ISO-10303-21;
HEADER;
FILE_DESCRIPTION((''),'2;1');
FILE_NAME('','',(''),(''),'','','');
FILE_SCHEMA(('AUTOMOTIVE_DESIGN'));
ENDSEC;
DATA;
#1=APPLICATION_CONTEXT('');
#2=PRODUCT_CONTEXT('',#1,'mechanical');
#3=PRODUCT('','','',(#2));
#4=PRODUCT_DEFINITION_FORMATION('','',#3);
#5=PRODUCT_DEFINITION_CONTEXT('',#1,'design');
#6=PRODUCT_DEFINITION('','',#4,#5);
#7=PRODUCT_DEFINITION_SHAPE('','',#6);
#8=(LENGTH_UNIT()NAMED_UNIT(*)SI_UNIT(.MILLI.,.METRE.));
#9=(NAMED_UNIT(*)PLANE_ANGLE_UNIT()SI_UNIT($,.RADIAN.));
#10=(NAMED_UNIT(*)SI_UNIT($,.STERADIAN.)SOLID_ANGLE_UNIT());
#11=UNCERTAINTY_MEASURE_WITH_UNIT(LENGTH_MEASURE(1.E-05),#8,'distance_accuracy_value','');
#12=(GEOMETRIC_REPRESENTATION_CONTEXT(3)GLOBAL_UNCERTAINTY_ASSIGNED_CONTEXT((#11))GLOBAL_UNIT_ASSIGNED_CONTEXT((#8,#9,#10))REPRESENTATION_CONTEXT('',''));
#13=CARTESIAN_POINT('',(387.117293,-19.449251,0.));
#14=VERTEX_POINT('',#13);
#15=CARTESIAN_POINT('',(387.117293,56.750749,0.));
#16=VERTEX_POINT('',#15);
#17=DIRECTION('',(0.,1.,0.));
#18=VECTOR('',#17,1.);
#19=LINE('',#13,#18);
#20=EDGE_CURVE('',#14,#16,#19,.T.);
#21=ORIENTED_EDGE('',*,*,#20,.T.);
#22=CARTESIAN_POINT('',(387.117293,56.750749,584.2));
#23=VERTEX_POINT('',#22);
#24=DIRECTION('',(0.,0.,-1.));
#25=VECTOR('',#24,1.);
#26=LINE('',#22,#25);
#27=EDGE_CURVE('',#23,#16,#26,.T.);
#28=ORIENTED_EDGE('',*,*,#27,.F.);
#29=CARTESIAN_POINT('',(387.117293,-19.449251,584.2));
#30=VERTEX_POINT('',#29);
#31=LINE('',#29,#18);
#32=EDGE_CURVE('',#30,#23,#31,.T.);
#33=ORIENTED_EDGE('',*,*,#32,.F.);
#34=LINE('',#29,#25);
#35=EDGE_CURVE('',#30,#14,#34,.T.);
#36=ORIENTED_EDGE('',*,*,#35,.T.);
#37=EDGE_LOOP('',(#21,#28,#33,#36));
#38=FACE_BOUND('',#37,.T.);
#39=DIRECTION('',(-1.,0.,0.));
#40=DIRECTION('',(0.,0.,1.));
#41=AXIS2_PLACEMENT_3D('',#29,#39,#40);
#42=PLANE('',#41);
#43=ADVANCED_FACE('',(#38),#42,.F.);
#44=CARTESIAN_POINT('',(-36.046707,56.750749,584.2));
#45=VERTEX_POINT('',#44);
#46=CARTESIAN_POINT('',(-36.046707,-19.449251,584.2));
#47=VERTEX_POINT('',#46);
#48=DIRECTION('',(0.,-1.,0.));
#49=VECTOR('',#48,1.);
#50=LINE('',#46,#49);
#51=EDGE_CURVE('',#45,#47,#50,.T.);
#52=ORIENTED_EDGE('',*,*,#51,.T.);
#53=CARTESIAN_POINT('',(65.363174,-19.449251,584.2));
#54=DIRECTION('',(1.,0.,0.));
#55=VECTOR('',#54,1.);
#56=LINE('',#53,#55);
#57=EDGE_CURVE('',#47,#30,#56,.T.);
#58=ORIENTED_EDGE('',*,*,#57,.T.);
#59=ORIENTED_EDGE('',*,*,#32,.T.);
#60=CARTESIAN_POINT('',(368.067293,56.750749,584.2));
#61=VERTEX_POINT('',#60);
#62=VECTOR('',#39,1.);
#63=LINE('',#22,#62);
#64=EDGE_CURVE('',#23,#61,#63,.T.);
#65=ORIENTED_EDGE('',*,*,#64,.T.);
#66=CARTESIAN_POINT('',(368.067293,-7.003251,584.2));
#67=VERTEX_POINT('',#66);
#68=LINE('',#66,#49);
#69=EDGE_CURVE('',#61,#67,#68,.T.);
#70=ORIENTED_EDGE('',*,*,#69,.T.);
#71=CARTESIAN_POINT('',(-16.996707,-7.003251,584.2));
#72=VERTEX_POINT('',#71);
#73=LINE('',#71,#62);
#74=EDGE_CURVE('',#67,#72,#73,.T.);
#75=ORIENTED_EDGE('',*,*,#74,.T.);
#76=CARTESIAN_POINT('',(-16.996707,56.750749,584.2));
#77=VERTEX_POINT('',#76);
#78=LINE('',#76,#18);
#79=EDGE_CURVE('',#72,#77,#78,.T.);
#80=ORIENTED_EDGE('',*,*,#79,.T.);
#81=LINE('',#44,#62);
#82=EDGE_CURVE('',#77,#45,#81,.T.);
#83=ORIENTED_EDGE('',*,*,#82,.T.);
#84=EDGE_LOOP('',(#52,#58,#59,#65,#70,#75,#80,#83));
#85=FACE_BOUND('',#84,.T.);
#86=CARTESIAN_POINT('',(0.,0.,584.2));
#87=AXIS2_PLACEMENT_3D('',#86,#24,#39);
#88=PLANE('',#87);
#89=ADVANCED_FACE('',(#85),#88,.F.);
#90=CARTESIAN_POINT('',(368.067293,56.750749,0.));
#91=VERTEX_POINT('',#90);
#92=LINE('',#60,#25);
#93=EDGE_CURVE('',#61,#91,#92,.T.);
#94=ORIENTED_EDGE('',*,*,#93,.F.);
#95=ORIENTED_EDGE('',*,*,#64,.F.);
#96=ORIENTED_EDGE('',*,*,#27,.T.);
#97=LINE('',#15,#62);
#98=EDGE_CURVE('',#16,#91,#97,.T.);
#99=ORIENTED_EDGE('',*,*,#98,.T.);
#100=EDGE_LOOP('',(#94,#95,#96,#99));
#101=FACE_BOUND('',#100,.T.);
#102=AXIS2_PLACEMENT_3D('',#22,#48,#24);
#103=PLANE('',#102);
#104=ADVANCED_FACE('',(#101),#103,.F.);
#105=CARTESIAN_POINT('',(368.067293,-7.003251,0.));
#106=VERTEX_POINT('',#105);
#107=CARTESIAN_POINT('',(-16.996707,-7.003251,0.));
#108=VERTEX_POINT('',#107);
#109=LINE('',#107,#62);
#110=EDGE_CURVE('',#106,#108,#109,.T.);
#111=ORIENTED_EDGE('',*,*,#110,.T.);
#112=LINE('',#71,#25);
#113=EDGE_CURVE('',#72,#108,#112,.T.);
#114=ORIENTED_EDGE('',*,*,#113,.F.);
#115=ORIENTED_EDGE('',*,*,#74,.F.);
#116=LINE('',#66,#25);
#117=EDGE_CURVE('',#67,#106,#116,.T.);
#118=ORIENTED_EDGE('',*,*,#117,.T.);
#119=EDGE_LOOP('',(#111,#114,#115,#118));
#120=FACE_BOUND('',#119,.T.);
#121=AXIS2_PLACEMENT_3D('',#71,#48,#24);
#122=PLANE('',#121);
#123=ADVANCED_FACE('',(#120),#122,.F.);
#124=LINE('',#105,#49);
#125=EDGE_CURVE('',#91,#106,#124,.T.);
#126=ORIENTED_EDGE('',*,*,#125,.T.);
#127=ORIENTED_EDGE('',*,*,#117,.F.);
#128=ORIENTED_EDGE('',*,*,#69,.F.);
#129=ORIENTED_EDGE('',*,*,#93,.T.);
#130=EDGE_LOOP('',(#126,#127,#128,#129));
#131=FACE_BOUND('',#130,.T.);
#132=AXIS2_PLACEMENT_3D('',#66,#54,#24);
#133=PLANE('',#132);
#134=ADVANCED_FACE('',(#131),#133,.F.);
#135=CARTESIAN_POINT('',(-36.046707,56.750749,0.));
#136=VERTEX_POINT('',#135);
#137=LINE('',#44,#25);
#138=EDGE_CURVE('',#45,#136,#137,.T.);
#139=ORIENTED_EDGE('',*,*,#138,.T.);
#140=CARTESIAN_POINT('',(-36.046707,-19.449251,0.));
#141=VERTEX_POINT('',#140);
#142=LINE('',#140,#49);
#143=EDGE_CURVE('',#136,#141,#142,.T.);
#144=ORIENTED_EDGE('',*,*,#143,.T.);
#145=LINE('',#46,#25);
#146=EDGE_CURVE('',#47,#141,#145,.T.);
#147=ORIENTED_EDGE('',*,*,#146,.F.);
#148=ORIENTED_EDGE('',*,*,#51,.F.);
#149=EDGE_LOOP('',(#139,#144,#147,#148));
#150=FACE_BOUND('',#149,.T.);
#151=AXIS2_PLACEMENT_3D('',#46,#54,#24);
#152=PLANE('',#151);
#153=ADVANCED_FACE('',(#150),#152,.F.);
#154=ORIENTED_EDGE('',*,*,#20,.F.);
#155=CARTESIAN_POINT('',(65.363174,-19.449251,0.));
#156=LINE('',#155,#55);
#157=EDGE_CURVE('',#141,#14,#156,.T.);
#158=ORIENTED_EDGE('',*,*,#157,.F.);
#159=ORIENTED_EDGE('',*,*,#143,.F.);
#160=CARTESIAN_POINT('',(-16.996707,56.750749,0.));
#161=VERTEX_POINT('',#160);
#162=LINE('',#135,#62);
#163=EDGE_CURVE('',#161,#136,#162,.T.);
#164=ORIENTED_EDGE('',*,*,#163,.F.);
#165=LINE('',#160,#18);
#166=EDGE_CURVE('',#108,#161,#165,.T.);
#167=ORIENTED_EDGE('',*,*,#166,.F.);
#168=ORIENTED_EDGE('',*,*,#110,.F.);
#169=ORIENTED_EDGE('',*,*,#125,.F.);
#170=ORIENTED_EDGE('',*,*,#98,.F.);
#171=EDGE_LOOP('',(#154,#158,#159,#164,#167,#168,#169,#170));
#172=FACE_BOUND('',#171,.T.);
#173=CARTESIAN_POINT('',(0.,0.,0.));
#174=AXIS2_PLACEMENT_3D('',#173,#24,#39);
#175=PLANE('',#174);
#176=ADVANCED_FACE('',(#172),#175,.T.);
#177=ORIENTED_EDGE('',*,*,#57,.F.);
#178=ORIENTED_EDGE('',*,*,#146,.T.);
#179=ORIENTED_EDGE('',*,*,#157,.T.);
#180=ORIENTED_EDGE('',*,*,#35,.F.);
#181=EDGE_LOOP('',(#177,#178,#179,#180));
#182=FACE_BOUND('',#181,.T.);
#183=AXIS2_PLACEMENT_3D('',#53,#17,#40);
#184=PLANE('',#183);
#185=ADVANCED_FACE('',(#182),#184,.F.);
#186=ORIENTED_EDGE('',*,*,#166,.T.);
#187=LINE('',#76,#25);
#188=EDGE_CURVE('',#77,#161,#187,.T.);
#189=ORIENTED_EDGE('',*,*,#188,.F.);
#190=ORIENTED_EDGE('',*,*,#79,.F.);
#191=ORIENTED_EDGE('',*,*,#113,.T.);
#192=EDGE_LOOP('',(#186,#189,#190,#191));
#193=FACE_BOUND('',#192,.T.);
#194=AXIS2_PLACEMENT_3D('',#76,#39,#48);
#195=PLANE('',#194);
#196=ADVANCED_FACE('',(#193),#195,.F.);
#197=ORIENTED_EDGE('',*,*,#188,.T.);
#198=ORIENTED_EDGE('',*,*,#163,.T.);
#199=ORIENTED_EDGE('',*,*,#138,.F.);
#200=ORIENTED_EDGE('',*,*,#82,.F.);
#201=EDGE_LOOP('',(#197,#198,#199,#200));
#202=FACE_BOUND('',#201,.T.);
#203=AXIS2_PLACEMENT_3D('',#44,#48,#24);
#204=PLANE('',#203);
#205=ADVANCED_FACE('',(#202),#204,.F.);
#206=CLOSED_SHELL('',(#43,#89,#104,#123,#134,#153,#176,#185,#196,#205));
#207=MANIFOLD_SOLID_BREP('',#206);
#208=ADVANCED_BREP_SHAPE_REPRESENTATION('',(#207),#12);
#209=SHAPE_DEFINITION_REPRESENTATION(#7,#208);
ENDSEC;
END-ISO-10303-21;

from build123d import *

# Parameters (mm, degrees)
BOSS_EXTRUDE1_DEPTH = 584.2


with BuildPart() as part:
    # Sketch1 → Boss-Extrude1 (new body)
    with BuildSketch(Plane.XY):
        Polygon((-36.046706587, 56.750748503), (-16.996706587, 56.750748503), (-16.996706587, -7.003251497), (368.067293413, -7.003251497), (368.067293413, 56.750748503), (387.117293413, 56.750748503), (387.117293413, -19.449251497), (65.363173653, -19.449251497), (-36.046706587, -19.449251497), align=None)
    extrude(amount=BOSS_EXTRUDE1_DEPTH)


solid = part.part
